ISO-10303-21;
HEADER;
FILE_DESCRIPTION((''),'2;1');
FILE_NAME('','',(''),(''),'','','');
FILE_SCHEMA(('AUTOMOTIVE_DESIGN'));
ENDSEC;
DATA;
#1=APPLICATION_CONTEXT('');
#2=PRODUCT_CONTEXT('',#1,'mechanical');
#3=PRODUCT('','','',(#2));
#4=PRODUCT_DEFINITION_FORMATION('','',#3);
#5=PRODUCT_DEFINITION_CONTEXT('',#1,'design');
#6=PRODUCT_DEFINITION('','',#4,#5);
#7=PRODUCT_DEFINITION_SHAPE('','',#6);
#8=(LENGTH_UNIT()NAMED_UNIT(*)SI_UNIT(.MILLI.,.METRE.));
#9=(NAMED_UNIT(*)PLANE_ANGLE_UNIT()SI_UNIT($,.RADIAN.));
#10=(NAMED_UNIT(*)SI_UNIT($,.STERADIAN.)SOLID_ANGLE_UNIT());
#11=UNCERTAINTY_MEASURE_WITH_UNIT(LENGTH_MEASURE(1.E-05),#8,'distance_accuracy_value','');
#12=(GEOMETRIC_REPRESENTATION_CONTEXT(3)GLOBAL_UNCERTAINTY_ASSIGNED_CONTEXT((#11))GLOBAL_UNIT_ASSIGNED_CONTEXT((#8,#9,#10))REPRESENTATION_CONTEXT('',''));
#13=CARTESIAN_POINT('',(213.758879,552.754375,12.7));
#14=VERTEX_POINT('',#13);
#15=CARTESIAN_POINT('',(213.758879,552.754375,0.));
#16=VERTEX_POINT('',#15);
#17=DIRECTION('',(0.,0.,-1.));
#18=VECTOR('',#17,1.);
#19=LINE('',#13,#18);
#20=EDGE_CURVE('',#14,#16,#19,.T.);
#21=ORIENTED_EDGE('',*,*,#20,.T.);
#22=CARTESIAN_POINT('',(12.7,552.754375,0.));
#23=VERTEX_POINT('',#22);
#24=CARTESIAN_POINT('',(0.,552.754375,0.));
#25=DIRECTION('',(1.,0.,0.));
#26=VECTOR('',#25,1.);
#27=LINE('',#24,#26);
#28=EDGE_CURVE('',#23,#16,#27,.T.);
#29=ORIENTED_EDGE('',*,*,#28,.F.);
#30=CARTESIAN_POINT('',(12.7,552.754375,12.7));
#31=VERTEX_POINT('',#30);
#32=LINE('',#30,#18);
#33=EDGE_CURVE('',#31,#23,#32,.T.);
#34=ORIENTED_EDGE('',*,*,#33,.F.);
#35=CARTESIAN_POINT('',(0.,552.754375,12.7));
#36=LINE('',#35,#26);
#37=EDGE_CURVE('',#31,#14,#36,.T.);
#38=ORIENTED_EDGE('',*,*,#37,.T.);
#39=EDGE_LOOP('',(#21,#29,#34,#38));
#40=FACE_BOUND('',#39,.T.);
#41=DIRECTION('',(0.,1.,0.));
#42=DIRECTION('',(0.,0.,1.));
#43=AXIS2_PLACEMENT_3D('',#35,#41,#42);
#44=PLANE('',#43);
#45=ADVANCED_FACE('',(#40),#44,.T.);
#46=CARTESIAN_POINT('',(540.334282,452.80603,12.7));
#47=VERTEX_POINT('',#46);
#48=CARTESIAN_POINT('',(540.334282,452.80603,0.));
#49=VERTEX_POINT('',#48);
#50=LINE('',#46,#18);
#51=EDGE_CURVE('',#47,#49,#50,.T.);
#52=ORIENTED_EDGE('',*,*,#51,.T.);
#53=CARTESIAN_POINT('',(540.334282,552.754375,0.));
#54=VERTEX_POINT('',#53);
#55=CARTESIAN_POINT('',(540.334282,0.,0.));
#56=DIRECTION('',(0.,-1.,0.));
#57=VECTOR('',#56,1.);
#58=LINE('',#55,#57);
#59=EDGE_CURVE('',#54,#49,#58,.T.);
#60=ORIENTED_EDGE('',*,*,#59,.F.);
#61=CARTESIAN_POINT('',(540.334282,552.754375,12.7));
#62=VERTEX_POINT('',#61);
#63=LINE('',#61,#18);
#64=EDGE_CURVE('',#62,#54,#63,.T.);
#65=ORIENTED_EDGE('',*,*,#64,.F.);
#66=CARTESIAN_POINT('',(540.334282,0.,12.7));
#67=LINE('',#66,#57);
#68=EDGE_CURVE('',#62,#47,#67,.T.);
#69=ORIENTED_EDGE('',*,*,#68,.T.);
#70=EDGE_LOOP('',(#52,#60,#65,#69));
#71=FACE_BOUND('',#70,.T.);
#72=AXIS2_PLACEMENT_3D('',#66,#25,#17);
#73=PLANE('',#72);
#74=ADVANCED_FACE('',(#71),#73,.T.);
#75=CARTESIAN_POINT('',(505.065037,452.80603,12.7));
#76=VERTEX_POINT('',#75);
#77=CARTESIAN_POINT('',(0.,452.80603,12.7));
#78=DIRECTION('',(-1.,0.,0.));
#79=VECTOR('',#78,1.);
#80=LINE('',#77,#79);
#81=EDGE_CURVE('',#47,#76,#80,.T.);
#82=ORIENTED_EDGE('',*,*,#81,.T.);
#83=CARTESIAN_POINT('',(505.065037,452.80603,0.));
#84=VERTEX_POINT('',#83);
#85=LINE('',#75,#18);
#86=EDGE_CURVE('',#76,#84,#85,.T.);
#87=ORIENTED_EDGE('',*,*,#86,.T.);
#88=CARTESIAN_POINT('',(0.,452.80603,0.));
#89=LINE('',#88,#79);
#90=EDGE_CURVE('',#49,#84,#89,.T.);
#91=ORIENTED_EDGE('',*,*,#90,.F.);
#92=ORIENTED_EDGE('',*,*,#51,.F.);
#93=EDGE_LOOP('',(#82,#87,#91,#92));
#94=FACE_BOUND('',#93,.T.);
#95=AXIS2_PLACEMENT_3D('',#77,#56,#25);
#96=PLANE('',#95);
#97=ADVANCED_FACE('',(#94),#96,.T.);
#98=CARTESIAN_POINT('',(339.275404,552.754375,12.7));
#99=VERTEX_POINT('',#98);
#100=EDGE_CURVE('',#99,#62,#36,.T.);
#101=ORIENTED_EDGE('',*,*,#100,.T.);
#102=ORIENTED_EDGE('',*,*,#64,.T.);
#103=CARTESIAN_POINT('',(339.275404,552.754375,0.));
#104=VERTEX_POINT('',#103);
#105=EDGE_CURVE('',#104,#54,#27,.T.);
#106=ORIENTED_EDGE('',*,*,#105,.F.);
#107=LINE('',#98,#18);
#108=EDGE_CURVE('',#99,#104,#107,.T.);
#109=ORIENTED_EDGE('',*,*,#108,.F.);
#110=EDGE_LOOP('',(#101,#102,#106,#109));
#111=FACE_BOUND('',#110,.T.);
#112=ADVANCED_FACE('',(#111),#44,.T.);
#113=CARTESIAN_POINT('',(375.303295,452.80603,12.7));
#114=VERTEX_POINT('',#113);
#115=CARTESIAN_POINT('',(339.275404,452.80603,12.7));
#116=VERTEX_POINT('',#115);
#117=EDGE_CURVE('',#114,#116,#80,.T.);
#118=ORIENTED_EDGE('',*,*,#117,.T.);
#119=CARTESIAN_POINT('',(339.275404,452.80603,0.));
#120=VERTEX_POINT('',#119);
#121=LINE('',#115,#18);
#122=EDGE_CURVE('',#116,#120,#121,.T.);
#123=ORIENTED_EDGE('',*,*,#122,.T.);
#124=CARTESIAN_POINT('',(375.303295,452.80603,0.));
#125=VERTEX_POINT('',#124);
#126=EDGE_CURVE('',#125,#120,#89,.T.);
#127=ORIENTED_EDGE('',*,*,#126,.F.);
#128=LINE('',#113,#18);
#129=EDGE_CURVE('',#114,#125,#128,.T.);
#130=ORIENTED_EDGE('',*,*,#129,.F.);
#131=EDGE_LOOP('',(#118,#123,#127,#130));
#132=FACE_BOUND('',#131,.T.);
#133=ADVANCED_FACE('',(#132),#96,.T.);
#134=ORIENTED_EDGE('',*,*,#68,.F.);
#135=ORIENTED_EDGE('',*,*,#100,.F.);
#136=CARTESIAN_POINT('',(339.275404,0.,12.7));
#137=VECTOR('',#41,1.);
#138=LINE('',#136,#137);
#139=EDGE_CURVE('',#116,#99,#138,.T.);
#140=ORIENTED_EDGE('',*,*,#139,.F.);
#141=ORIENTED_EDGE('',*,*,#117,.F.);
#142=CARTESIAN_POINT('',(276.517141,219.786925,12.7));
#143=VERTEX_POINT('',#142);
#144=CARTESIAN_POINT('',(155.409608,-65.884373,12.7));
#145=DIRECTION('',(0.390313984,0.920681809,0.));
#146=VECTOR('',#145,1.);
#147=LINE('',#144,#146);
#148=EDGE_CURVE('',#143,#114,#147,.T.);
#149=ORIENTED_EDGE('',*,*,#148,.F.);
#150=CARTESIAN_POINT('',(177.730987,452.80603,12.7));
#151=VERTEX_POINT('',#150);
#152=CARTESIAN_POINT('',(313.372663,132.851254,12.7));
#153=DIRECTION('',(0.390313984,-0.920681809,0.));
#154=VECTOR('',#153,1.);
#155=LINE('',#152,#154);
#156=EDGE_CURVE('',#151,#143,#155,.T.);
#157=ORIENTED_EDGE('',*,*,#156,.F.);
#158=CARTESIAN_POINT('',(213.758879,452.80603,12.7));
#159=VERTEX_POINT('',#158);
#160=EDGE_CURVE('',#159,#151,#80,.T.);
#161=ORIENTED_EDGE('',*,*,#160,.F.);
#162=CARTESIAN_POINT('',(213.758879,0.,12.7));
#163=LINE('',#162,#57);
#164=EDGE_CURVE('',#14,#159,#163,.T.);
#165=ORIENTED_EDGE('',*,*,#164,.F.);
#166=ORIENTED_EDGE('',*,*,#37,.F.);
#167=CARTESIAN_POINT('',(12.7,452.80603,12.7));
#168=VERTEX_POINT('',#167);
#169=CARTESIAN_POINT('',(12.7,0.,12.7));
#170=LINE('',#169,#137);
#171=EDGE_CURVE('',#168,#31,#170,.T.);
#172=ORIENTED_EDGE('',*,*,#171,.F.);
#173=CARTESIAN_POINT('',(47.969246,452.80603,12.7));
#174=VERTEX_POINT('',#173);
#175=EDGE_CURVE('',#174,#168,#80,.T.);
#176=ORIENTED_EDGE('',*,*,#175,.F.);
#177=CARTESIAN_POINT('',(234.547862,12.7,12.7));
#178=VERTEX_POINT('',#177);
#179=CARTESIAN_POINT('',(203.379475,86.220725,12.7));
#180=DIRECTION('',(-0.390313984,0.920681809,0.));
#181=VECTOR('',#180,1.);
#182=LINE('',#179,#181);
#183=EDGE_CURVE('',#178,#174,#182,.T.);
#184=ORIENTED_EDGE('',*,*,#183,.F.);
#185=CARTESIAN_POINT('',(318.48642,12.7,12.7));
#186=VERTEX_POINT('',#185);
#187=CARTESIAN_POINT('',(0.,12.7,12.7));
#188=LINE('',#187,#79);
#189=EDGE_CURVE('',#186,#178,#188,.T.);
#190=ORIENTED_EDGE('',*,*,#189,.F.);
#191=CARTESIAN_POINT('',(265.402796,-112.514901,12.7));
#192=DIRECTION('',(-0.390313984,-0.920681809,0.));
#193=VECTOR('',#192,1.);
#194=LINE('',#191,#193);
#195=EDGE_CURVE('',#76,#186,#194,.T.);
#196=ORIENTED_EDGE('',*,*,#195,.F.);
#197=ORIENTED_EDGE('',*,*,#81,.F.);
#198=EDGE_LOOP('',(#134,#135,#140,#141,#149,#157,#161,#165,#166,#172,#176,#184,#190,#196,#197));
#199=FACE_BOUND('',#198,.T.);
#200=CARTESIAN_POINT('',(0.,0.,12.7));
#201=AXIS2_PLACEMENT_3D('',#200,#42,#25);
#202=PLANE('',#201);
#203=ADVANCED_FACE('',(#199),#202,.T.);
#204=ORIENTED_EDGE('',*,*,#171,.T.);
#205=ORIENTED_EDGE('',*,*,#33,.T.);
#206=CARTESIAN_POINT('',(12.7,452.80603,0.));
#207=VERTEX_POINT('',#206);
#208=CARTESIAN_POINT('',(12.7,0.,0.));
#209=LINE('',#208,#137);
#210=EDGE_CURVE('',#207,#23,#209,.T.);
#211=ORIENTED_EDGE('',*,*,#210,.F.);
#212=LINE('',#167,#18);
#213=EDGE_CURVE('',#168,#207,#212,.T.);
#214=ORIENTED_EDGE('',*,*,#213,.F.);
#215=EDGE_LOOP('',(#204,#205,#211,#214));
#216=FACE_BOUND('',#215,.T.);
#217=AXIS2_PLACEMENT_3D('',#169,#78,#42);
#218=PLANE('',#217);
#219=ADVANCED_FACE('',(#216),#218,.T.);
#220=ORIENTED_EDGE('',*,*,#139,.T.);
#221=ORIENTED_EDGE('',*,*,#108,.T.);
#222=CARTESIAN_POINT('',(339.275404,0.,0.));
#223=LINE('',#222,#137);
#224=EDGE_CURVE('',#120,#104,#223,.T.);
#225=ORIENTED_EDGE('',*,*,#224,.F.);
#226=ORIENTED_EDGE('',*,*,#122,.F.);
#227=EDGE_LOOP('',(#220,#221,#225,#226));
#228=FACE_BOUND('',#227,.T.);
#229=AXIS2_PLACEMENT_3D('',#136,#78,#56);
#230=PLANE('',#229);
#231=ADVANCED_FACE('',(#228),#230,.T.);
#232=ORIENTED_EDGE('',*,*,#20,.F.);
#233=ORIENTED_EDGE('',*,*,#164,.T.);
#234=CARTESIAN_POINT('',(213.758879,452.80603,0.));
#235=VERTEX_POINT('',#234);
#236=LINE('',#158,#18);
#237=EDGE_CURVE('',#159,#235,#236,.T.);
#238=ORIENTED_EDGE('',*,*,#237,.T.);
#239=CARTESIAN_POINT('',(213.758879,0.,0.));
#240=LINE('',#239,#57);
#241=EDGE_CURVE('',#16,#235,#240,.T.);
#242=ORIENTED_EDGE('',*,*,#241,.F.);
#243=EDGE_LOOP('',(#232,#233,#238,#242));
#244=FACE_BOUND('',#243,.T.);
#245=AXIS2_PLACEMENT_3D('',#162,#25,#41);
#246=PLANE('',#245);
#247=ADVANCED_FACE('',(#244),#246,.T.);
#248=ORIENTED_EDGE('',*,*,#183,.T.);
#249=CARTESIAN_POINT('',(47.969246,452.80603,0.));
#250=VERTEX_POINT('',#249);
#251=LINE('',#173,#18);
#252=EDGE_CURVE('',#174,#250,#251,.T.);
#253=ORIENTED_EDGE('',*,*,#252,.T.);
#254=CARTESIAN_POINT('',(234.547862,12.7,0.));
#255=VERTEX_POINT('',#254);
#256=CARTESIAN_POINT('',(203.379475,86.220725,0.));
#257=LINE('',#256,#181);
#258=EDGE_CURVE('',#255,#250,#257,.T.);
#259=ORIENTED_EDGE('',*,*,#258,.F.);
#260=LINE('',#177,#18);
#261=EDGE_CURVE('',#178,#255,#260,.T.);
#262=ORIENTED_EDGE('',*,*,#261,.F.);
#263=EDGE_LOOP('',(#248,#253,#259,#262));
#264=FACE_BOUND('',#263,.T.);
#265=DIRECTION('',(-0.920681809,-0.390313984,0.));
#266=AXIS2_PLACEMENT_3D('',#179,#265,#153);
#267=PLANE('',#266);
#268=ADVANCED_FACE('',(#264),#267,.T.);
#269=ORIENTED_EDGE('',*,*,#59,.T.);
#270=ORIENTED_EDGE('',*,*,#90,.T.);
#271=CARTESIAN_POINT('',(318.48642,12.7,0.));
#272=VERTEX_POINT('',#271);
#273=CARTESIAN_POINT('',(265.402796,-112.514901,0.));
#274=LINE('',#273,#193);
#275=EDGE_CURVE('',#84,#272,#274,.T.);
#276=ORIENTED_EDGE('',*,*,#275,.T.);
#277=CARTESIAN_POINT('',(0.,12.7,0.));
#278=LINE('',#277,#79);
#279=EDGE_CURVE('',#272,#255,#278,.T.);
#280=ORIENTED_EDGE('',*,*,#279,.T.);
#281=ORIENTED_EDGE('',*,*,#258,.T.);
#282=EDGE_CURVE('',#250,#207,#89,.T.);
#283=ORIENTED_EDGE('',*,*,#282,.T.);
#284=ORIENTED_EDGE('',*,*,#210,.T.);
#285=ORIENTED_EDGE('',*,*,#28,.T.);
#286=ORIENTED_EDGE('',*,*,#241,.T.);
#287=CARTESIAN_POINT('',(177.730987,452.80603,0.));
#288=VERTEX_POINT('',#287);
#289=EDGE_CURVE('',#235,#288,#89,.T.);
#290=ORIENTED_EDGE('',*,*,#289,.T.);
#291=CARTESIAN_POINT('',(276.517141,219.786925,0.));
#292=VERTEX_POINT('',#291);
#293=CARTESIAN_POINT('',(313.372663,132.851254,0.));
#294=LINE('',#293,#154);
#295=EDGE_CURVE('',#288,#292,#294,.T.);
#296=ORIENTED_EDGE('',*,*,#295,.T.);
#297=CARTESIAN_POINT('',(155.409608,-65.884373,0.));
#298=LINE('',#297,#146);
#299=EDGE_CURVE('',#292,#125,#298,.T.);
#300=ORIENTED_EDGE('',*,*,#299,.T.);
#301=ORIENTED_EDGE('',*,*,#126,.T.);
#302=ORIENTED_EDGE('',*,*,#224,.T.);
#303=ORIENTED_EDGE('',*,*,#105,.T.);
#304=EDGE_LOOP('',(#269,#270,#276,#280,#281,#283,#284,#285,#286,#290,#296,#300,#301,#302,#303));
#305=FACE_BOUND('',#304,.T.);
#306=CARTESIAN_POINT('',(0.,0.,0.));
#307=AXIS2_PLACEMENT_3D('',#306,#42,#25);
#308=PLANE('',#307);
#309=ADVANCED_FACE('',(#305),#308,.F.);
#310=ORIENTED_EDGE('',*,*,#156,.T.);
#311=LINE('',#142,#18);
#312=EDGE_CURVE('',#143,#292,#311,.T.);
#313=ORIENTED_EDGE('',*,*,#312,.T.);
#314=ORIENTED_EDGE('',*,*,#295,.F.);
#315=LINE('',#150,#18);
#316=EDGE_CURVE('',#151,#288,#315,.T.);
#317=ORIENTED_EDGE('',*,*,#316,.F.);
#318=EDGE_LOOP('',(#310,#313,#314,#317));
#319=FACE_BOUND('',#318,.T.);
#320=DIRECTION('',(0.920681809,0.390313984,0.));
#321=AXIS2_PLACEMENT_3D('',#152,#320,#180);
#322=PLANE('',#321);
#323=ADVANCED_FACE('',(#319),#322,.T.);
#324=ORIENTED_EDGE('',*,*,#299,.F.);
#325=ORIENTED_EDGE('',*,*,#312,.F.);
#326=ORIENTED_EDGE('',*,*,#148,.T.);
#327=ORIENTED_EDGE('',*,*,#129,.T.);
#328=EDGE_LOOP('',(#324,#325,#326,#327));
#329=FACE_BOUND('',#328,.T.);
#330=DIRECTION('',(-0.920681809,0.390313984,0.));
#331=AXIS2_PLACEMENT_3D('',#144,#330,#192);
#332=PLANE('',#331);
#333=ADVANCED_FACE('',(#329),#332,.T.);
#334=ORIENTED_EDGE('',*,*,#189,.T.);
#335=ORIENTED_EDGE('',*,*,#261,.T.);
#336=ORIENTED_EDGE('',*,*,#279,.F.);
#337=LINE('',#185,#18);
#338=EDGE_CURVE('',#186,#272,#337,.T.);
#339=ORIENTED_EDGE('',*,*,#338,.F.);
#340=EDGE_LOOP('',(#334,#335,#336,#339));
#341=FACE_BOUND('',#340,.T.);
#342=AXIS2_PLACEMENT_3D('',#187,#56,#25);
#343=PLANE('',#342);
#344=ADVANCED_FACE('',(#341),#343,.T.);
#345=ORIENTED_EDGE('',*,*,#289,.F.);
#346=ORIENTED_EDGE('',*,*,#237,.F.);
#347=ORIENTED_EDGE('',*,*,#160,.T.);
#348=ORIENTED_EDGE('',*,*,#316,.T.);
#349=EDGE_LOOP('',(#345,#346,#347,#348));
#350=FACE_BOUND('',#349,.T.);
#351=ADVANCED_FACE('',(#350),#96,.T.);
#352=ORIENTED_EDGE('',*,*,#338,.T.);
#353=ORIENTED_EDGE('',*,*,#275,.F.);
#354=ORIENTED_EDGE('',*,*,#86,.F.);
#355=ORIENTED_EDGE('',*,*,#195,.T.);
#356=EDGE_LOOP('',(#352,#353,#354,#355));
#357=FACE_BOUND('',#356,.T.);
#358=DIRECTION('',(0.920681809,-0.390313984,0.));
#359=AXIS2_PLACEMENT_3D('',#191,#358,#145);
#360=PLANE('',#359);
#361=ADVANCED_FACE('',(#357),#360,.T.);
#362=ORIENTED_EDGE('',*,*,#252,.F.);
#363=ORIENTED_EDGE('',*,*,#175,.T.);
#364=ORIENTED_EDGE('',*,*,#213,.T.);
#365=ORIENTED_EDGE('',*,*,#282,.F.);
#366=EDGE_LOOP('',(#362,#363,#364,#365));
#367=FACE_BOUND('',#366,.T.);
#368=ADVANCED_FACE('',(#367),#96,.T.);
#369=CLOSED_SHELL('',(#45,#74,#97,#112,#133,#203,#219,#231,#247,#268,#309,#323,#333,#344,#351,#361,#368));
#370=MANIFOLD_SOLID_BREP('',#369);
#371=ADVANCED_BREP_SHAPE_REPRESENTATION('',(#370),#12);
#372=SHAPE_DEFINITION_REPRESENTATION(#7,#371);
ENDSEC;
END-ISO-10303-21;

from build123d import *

# Parameters (mm, degrees)
BOSS_EXTRUDE1_DEPTH = 12.7


with BuildPart() as part:
    # Sketch1 → Boss-Extrude1 (new body)
    with BuildSketch(Plane.XY):
        Polygon((234.547862173, 12.7), (47.96924583, 452.806030315), (12.7, 452.806030315), (12.7, 552.75437456), (213.758878539, 552.75437456), (213.758878539, 452.806030315), (177.730987009, 452.806030315), (276.517141205, 219.786925418), (375.3032954, 452.806030315), (339.27540387, 452.806030315), (339.27540387, 552.75437456), (540.334282409, 552.75437456), (540.334282409, 452.806030315), (505.065036579, 452.806030315), (318.486420236, 12.7), align=None)
    extrude(amount=BOSS_EXTRUDE1_DEPTH)


solid = part.part
